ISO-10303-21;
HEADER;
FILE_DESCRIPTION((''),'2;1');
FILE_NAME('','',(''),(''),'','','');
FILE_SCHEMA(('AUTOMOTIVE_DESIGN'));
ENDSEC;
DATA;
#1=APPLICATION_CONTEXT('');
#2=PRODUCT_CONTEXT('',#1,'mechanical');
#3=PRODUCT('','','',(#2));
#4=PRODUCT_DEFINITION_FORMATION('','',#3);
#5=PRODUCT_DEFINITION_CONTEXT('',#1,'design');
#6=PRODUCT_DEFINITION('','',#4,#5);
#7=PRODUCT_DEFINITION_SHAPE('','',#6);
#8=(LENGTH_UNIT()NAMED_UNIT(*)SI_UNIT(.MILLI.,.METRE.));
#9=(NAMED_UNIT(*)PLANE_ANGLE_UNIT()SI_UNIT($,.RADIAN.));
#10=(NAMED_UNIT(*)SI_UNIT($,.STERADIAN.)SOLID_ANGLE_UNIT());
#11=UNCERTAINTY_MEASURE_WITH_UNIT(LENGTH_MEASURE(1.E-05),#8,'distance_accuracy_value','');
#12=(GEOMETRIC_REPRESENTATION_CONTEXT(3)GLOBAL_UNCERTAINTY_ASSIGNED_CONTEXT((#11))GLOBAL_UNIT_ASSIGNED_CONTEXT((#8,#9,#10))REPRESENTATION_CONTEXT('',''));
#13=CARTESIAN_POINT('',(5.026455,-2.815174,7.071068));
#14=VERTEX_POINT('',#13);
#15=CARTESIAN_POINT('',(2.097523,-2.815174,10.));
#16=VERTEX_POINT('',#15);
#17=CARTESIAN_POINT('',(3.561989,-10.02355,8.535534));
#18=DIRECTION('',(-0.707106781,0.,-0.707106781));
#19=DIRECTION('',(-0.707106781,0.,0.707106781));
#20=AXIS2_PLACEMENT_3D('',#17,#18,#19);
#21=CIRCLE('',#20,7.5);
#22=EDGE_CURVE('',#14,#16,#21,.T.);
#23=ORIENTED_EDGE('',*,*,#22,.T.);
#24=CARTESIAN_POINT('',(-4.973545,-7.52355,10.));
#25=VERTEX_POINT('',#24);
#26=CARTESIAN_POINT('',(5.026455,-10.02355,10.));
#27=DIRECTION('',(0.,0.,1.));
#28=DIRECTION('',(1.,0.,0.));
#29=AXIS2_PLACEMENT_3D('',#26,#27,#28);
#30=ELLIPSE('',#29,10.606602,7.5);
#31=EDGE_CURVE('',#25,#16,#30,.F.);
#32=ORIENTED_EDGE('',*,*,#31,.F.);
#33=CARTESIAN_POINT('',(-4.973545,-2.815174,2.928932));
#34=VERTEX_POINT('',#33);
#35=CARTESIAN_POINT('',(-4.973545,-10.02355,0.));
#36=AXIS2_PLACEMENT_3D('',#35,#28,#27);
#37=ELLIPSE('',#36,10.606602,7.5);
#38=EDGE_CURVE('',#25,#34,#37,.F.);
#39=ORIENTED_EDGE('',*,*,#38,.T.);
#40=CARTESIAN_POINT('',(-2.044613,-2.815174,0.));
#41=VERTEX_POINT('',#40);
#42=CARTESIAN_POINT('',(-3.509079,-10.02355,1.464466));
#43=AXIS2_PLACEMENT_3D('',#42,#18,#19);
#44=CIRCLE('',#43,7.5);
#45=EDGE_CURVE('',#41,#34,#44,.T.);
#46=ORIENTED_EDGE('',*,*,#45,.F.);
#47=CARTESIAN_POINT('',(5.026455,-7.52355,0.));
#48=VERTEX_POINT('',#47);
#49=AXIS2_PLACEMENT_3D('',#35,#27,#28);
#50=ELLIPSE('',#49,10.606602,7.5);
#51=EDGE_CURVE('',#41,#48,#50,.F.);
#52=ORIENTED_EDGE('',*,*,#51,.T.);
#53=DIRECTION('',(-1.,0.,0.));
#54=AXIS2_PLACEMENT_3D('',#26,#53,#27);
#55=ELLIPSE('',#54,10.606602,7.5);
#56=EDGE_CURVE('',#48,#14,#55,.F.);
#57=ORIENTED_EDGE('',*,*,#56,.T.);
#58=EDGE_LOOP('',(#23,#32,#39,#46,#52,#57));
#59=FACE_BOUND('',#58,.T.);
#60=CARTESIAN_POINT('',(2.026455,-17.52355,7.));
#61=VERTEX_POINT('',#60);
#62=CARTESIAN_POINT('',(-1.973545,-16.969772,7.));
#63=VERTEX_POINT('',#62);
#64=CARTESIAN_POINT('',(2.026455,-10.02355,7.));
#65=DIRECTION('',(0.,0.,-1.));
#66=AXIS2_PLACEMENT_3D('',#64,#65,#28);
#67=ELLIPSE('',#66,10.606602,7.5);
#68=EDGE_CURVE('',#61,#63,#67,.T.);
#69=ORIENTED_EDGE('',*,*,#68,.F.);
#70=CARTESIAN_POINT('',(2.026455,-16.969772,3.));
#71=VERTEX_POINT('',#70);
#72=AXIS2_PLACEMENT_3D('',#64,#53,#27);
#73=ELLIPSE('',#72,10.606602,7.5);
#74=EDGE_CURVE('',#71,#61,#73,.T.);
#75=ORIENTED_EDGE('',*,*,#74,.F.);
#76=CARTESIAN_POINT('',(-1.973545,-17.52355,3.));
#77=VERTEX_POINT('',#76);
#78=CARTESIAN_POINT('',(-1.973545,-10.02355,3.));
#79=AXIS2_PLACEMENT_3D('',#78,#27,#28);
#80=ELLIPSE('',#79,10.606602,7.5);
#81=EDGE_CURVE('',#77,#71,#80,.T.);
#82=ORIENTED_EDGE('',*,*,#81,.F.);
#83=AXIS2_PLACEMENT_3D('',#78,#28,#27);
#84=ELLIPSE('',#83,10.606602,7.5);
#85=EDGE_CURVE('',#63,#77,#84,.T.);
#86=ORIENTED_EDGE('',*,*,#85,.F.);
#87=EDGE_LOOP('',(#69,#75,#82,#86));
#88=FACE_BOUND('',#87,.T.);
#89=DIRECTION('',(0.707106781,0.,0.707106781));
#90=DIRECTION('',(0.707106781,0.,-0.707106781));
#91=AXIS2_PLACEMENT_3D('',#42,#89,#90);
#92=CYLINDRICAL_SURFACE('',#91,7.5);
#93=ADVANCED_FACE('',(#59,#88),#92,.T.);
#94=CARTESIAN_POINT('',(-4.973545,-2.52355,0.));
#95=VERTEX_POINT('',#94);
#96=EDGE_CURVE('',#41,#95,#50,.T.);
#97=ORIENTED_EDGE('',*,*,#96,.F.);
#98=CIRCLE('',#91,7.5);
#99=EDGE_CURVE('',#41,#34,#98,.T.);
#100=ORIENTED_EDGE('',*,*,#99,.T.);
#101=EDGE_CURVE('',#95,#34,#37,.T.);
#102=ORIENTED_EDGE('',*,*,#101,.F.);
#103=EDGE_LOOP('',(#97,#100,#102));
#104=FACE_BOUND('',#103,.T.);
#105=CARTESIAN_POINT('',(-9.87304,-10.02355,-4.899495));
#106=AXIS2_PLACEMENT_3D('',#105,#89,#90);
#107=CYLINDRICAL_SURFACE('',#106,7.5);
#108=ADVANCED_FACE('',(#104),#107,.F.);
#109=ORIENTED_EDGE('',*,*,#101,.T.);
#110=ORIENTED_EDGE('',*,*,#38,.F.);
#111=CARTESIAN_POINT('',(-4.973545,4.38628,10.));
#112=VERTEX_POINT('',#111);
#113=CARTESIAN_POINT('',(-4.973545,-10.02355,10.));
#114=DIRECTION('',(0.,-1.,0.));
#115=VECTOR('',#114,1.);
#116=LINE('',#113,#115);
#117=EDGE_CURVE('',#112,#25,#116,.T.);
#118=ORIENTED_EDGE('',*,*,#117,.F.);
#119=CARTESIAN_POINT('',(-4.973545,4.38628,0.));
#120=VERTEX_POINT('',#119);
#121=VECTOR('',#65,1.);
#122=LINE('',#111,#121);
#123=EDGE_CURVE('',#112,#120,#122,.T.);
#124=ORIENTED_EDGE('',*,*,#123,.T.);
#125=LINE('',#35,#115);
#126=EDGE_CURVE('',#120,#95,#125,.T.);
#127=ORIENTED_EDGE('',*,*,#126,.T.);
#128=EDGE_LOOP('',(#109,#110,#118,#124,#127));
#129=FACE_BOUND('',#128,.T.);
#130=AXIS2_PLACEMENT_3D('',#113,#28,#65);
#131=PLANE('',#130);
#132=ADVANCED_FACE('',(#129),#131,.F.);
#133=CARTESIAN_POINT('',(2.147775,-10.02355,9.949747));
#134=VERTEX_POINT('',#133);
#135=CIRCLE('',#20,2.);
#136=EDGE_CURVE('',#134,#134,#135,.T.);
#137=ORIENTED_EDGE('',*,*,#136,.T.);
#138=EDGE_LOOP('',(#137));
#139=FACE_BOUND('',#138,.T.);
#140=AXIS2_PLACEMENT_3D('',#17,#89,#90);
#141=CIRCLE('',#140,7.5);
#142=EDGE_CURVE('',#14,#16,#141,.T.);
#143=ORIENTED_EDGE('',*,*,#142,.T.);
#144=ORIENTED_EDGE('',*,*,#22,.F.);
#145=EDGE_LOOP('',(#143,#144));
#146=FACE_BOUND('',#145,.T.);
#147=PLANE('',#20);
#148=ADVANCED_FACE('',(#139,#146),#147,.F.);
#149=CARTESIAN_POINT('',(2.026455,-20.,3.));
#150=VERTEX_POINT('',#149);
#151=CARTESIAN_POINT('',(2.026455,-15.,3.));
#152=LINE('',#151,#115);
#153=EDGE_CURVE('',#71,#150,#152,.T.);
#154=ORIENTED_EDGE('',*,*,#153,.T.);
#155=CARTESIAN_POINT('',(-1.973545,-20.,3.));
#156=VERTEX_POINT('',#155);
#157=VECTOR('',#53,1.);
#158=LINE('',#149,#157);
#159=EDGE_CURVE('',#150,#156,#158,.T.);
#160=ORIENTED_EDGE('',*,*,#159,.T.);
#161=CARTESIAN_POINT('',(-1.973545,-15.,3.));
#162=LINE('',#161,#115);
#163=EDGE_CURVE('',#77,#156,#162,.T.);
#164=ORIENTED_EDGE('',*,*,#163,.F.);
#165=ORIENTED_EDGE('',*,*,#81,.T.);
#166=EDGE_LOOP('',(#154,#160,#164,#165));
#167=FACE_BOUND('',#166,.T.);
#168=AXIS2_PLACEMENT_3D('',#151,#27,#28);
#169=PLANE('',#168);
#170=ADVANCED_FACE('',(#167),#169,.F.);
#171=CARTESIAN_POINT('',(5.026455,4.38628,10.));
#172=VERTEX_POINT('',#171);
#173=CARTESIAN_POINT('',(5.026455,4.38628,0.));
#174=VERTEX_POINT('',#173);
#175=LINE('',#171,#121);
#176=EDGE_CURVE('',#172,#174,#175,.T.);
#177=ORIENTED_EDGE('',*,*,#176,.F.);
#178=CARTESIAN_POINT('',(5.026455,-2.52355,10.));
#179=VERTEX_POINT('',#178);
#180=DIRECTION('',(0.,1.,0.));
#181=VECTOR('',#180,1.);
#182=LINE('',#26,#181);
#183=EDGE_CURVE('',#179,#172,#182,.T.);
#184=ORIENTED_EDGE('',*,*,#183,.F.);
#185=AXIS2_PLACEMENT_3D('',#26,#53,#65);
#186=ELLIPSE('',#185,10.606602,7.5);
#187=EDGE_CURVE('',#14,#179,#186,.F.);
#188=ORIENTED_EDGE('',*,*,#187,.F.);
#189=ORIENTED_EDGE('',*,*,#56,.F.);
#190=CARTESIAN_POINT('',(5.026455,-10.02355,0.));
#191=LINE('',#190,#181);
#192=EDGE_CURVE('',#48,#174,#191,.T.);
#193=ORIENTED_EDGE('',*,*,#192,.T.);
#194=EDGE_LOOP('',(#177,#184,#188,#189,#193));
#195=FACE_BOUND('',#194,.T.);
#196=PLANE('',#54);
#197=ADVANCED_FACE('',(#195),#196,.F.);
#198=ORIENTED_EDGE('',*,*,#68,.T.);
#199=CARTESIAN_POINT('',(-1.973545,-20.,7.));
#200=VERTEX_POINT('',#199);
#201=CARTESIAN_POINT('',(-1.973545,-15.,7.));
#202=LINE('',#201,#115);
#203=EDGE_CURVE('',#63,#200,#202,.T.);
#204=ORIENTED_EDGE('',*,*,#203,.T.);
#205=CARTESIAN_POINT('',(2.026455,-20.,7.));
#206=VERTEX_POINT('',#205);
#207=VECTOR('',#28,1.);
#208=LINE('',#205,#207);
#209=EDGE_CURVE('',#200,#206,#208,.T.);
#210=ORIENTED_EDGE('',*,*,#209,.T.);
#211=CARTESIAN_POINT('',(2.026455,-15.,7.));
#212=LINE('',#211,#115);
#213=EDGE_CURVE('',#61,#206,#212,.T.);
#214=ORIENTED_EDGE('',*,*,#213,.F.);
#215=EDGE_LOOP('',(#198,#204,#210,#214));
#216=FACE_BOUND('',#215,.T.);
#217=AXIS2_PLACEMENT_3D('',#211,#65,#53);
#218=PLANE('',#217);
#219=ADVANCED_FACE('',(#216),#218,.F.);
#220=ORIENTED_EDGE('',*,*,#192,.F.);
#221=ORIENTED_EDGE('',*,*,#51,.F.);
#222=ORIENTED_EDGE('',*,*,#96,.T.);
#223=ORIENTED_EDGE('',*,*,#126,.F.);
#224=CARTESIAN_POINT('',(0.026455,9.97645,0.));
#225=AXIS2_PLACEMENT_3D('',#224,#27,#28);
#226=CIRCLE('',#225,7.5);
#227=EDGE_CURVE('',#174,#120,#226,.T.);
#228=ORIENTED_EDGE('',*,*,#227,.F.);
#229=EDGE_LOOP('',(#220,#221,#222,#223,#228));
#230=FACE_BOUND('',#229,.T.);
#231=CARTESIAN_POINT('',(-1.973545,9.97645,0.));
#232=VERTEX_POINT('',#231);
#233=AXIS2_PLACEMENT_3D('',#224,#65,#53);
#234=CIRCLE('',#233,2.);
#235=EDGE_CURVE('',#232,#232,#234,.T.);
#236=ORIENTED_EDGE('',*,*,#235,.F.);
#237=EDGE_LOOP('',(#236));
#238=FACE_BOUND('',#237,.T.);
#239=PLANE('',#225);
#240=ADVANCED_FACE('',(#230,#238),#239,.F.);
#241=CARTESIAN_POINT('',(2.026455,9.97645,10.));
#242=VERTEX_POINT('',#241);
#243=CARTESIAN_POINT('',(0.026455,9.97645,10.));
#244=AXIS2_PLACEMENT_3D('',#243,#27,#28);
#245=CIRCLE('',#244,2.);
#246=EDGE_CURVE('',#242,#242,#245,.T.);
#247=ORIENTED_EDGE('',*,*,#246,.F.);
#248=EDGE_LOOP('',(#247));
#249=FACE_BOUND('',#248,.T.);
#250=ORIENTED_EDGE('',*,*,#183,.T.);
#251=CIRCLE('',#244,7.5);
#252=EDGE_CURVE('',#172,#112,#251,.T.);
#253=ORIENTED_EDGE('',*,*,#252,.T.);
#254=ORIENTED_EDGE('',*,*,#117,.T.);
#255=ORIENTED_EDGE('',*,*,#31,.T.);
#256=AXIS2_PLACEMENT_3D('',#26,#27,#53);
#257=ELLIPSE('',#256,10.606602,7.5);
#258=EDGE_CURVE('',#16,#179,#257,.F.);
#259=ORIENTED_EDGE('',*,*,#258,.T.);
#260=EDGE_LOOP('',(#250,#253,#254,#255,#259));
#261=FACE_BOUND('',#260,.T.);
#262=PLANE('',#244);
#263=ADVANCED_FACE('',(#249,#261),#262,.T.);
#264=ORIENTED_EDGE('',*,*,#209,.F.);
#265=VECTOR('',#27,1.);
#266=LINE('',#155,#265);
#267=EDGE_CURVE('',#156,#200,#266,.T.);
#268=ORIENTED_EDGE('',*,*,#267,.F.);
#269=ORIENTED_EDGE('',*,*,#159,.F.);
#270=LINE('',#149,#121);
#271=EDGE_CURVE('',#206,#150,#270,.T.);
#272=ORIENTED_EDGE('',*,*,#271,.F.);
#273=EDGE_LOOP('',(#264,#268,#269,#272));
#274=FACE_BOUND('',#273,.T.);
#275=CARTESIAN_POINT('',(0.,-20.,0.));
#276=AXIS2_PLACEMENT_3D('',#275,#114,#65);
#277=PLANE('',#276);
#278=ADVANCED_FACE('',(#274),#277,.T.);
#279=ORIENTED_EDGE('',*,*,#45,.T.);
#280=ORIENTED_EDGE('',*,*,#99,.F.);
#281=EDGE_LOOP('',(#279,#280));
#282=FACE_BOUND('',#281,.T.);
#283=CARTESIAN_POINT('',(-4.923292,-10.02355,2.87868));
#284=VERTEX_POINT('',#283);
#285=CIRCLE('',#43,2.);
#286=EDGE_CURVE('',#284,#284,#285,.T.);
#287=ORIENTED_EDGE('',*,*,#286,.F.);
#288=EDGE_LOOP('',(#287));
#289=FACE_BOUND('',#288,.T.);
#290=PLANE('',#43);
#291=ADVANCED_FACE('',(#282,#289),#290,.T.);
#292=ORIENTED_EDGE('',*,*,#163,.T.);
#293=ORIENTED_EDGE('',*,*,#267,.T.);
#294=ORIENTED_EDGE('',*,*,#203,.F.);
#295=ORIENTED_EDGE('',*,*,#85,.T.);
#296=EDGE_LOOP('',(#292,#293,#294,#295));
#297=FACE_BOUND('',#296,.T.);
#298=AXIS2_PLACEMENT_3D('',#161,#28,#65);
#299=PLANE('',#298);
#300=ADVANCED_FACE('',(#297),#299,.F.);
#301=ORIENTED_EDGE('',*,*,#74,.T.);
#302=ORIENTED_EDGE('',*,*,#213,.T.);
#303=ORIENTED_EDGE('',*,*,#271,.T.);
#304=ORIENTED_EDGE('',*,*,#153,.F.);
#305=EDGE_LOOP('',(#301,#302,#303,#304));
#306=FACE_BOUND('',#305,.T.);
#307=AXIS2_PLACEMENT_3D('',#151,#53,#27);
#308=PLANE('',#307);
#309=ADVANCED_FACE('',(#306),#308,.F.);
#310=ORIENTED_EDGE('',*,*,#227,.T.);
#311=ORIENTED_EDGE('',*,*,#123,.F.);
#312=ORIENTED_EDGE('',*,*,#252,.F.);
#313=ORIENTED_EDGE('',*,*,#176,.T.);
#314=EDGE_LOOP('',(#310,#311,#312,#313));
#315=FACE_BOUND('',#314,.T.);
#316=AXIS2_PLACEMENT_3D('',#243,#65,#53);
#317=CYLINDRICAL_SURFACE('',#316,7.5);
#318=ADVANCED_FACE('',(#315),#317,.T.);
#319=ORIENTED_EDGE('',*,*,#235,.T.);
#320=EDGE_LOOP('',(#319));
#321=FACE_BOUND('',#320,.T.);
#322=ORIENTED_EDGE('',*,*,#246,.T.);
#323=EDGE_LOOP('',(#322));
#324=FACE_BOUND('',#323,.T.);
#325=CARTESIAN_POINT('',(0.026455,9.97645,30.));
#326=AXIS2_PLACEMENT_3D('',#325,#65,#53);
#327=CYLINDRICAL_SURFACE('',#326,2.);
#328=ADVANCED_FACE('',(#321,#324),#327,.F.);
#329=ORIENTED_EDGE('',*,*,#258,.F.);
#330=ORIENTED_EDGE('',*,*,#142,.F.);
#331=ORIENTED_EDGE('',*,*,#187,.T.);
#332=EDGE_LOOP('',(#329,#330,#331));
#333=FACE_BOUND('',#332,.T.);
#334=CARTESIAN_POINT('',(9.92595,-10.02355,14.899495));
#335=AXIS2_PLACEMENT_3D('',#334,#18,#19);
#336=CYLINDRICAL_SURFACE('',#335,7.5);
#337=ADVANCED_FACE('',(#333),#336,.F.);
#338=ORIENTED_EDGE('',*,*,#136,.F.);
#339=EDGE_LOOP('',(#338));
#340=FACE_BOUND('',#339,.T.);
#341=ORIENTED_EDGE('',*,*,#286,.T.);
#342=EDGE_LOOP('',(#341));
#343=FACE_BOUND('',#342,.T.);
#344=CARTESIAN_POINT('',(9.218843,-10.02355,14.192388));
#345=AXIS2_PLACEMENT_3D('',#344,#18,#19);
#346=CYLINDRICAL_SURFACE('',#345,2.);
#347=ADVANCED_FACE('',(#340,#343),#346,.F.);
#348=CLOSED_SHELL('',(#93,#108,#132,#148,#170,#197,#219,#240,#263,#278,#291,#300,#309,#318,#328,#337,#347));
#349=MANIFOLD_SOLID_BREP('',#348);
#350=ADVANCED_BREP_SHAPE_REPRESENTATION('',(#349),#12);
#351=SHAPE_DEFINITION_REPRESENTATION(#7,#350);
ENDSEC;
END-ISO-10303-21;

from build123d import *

# Parameters (mm, degrees)
SKETCH1_R               = 1.5
BOSS_EXTRUDE1_DEPTH     = 10
SKETCH2_R               = 2
CUT_EXTRUDE1_DEPTH      = 30
SKETCH6_R               = 7.5
BOSS_EXTRUDE3_DEPTH     = 5
CUT_EXTRUDE4_DEPTH      = 26.013853674
CUT_EXTRUDE4_DEPTH_BACK = 26.013853674
SKETCH7_R               = 1.5
SKETCH8_R               = 2
CUT_EXTRUDE5_DEPTH      = 18
SKETCH10_R              = 7.5
CUT_EXTRUDE7_DEPTH      = 9
SKETCH11_W              = 4
SKETCH11_H              = 4
BOSS_EXTRUDE4_DEPTH     = 2.5


with BuildPart() as part:
    # Sketch1 → Boss-Extrude1 (new body)
    with BuildSketch(Plane.XY):
        with BuildLine():
            Line((5.026455026, -10.023549892), (-4.973544974, -10.023549892))
            Line((-4.973544974, -10.023549892), (-4.973544974, 4.386280164))
            ThreePointArc((-4.973544974, 4.386280164), (0.026455026, 17.476450108), (5.026455026, 4.386280164))
            Line((5.026455026, 4.386280164), (5.026455026, -10.023549892))
        make_face()
        with Locations((0.026455026, 9.976450108)):
            Circle(SKETCH1_R, mode=Mode.SUBTRACT)
    extrude(amount=BOSS_EXTRUDE1_DEPTH)

    # Sketch2 → Cut-Extrude1 (cut)
    with BuildSketch(Plane(origin=(0, 0, 0), x_dir=(-1, 0, 0), z_dir=(0, 0, -1))):
        with Locations((-0.026455026, 9.976450108)):
            Circle(SKETCH2_R)
    extrude(amount=-CUT_EXTRUDE1_DEPTH, mode=Mode.SUBTRACT)

    # Sketch6 → Boss-Extrude3 (add, symmetric)
    with BuildSketch(Plane(origin=(2.513227513, 0, 2.513227513), x_dir=(-0.7071067811865477, 0, 0.7071067811865475), z_dir=(-0.7071067811865475, 0, -0.7071067811865477))):
        with Locations((3.516827377, -10.023549892)):
            Circle(SKETCH6_R)
    extrude(amount=BOSS_EXTRUDE3_DEPTH, both=True)

    # Sketch7 → Cut-Extrude4 (cut, two sides: drawn at the far end of the back side and taken through both)
    with BuildSketch(Plane(origin=(-1.022306393, 0, -1.022306393), x_dir=(-0.7071067811865476, 0, 0.7071067811865476), z_dir=(-0.7071067811865476, 0, -0.7071067811865476)).offset(-CUT_EXTRUDE4_DEPTH_BACK)):
        with Locations((3.516827377, -10.023549892)):
            Circle(SKETCH7_R)
    extrude(amount=CUT_EXTRUDE4_DEPTH + CUT_EXTRUDE4_DEPTH_BACK, mode=Mode.SUBTRACT)

    # Sketch8 → Cut-Extrude5 (cut, symmetric)
    with BuildSketch(Plane(origin=(-1.022306393, 0, -1.022306393), x_dir=(-0.7071067811865476, 0, 0.7071067811865476), z_dir=(-0.7071067811865476, 0, -0.7071067811865476))):
        with Locations((3.516827377, -10.023549892)):
            Circle(SKETCH8_R)
    extrude(amount=CUT_EXTRUDE5_DEPTH, both=True, mode=Mode.SUBTRACT)

    # Sketch10 → Cut-Extrude7 (cut)
    with BuildSketch(Plane(origin=(6.048761419, 0, 6.048761419), x_dir=(0.7071067811865476, 0, -0.7071067811865476), z_dir=(0.7071067811865476, 0, 0.7071067811865476))):
        with Locations((-3.516827377, -10.023549892)):
            Circle(SKETCH10_R)
    cut_extrude7 = extrude(amount=CUT_EXTRUDE7_DEPTH, mode=Mode.SUBTRACT)

    # Mirror1: Cut-Extrude7 across plane
    add(cut_extrude7.mirror(Plane(origin=(2.513227513, 0, 2.513227513), x_dir=(-0.7071067811865478, 0, 0.7071067811865472), z_dir=(-0.7071067811865475, 0, -0.7071067811865477))), mode=Mode.SUBTRACT)

    # Sketch11 → Boss-Extrude4 (add, symmetric)
    with BuildSketch(Plane(origin=(0, -17.5, 0), x_dir=(1, 0, 0), z_dir=(0, 1, 0))):
        with Locations((0.026455026, -5)):
            Rectangle(SKETCH11_W, SKETCH11_H)
    extrude(amount=BOSS_EXTRUDE4_DEPTH, both=True)


solid = part.part
